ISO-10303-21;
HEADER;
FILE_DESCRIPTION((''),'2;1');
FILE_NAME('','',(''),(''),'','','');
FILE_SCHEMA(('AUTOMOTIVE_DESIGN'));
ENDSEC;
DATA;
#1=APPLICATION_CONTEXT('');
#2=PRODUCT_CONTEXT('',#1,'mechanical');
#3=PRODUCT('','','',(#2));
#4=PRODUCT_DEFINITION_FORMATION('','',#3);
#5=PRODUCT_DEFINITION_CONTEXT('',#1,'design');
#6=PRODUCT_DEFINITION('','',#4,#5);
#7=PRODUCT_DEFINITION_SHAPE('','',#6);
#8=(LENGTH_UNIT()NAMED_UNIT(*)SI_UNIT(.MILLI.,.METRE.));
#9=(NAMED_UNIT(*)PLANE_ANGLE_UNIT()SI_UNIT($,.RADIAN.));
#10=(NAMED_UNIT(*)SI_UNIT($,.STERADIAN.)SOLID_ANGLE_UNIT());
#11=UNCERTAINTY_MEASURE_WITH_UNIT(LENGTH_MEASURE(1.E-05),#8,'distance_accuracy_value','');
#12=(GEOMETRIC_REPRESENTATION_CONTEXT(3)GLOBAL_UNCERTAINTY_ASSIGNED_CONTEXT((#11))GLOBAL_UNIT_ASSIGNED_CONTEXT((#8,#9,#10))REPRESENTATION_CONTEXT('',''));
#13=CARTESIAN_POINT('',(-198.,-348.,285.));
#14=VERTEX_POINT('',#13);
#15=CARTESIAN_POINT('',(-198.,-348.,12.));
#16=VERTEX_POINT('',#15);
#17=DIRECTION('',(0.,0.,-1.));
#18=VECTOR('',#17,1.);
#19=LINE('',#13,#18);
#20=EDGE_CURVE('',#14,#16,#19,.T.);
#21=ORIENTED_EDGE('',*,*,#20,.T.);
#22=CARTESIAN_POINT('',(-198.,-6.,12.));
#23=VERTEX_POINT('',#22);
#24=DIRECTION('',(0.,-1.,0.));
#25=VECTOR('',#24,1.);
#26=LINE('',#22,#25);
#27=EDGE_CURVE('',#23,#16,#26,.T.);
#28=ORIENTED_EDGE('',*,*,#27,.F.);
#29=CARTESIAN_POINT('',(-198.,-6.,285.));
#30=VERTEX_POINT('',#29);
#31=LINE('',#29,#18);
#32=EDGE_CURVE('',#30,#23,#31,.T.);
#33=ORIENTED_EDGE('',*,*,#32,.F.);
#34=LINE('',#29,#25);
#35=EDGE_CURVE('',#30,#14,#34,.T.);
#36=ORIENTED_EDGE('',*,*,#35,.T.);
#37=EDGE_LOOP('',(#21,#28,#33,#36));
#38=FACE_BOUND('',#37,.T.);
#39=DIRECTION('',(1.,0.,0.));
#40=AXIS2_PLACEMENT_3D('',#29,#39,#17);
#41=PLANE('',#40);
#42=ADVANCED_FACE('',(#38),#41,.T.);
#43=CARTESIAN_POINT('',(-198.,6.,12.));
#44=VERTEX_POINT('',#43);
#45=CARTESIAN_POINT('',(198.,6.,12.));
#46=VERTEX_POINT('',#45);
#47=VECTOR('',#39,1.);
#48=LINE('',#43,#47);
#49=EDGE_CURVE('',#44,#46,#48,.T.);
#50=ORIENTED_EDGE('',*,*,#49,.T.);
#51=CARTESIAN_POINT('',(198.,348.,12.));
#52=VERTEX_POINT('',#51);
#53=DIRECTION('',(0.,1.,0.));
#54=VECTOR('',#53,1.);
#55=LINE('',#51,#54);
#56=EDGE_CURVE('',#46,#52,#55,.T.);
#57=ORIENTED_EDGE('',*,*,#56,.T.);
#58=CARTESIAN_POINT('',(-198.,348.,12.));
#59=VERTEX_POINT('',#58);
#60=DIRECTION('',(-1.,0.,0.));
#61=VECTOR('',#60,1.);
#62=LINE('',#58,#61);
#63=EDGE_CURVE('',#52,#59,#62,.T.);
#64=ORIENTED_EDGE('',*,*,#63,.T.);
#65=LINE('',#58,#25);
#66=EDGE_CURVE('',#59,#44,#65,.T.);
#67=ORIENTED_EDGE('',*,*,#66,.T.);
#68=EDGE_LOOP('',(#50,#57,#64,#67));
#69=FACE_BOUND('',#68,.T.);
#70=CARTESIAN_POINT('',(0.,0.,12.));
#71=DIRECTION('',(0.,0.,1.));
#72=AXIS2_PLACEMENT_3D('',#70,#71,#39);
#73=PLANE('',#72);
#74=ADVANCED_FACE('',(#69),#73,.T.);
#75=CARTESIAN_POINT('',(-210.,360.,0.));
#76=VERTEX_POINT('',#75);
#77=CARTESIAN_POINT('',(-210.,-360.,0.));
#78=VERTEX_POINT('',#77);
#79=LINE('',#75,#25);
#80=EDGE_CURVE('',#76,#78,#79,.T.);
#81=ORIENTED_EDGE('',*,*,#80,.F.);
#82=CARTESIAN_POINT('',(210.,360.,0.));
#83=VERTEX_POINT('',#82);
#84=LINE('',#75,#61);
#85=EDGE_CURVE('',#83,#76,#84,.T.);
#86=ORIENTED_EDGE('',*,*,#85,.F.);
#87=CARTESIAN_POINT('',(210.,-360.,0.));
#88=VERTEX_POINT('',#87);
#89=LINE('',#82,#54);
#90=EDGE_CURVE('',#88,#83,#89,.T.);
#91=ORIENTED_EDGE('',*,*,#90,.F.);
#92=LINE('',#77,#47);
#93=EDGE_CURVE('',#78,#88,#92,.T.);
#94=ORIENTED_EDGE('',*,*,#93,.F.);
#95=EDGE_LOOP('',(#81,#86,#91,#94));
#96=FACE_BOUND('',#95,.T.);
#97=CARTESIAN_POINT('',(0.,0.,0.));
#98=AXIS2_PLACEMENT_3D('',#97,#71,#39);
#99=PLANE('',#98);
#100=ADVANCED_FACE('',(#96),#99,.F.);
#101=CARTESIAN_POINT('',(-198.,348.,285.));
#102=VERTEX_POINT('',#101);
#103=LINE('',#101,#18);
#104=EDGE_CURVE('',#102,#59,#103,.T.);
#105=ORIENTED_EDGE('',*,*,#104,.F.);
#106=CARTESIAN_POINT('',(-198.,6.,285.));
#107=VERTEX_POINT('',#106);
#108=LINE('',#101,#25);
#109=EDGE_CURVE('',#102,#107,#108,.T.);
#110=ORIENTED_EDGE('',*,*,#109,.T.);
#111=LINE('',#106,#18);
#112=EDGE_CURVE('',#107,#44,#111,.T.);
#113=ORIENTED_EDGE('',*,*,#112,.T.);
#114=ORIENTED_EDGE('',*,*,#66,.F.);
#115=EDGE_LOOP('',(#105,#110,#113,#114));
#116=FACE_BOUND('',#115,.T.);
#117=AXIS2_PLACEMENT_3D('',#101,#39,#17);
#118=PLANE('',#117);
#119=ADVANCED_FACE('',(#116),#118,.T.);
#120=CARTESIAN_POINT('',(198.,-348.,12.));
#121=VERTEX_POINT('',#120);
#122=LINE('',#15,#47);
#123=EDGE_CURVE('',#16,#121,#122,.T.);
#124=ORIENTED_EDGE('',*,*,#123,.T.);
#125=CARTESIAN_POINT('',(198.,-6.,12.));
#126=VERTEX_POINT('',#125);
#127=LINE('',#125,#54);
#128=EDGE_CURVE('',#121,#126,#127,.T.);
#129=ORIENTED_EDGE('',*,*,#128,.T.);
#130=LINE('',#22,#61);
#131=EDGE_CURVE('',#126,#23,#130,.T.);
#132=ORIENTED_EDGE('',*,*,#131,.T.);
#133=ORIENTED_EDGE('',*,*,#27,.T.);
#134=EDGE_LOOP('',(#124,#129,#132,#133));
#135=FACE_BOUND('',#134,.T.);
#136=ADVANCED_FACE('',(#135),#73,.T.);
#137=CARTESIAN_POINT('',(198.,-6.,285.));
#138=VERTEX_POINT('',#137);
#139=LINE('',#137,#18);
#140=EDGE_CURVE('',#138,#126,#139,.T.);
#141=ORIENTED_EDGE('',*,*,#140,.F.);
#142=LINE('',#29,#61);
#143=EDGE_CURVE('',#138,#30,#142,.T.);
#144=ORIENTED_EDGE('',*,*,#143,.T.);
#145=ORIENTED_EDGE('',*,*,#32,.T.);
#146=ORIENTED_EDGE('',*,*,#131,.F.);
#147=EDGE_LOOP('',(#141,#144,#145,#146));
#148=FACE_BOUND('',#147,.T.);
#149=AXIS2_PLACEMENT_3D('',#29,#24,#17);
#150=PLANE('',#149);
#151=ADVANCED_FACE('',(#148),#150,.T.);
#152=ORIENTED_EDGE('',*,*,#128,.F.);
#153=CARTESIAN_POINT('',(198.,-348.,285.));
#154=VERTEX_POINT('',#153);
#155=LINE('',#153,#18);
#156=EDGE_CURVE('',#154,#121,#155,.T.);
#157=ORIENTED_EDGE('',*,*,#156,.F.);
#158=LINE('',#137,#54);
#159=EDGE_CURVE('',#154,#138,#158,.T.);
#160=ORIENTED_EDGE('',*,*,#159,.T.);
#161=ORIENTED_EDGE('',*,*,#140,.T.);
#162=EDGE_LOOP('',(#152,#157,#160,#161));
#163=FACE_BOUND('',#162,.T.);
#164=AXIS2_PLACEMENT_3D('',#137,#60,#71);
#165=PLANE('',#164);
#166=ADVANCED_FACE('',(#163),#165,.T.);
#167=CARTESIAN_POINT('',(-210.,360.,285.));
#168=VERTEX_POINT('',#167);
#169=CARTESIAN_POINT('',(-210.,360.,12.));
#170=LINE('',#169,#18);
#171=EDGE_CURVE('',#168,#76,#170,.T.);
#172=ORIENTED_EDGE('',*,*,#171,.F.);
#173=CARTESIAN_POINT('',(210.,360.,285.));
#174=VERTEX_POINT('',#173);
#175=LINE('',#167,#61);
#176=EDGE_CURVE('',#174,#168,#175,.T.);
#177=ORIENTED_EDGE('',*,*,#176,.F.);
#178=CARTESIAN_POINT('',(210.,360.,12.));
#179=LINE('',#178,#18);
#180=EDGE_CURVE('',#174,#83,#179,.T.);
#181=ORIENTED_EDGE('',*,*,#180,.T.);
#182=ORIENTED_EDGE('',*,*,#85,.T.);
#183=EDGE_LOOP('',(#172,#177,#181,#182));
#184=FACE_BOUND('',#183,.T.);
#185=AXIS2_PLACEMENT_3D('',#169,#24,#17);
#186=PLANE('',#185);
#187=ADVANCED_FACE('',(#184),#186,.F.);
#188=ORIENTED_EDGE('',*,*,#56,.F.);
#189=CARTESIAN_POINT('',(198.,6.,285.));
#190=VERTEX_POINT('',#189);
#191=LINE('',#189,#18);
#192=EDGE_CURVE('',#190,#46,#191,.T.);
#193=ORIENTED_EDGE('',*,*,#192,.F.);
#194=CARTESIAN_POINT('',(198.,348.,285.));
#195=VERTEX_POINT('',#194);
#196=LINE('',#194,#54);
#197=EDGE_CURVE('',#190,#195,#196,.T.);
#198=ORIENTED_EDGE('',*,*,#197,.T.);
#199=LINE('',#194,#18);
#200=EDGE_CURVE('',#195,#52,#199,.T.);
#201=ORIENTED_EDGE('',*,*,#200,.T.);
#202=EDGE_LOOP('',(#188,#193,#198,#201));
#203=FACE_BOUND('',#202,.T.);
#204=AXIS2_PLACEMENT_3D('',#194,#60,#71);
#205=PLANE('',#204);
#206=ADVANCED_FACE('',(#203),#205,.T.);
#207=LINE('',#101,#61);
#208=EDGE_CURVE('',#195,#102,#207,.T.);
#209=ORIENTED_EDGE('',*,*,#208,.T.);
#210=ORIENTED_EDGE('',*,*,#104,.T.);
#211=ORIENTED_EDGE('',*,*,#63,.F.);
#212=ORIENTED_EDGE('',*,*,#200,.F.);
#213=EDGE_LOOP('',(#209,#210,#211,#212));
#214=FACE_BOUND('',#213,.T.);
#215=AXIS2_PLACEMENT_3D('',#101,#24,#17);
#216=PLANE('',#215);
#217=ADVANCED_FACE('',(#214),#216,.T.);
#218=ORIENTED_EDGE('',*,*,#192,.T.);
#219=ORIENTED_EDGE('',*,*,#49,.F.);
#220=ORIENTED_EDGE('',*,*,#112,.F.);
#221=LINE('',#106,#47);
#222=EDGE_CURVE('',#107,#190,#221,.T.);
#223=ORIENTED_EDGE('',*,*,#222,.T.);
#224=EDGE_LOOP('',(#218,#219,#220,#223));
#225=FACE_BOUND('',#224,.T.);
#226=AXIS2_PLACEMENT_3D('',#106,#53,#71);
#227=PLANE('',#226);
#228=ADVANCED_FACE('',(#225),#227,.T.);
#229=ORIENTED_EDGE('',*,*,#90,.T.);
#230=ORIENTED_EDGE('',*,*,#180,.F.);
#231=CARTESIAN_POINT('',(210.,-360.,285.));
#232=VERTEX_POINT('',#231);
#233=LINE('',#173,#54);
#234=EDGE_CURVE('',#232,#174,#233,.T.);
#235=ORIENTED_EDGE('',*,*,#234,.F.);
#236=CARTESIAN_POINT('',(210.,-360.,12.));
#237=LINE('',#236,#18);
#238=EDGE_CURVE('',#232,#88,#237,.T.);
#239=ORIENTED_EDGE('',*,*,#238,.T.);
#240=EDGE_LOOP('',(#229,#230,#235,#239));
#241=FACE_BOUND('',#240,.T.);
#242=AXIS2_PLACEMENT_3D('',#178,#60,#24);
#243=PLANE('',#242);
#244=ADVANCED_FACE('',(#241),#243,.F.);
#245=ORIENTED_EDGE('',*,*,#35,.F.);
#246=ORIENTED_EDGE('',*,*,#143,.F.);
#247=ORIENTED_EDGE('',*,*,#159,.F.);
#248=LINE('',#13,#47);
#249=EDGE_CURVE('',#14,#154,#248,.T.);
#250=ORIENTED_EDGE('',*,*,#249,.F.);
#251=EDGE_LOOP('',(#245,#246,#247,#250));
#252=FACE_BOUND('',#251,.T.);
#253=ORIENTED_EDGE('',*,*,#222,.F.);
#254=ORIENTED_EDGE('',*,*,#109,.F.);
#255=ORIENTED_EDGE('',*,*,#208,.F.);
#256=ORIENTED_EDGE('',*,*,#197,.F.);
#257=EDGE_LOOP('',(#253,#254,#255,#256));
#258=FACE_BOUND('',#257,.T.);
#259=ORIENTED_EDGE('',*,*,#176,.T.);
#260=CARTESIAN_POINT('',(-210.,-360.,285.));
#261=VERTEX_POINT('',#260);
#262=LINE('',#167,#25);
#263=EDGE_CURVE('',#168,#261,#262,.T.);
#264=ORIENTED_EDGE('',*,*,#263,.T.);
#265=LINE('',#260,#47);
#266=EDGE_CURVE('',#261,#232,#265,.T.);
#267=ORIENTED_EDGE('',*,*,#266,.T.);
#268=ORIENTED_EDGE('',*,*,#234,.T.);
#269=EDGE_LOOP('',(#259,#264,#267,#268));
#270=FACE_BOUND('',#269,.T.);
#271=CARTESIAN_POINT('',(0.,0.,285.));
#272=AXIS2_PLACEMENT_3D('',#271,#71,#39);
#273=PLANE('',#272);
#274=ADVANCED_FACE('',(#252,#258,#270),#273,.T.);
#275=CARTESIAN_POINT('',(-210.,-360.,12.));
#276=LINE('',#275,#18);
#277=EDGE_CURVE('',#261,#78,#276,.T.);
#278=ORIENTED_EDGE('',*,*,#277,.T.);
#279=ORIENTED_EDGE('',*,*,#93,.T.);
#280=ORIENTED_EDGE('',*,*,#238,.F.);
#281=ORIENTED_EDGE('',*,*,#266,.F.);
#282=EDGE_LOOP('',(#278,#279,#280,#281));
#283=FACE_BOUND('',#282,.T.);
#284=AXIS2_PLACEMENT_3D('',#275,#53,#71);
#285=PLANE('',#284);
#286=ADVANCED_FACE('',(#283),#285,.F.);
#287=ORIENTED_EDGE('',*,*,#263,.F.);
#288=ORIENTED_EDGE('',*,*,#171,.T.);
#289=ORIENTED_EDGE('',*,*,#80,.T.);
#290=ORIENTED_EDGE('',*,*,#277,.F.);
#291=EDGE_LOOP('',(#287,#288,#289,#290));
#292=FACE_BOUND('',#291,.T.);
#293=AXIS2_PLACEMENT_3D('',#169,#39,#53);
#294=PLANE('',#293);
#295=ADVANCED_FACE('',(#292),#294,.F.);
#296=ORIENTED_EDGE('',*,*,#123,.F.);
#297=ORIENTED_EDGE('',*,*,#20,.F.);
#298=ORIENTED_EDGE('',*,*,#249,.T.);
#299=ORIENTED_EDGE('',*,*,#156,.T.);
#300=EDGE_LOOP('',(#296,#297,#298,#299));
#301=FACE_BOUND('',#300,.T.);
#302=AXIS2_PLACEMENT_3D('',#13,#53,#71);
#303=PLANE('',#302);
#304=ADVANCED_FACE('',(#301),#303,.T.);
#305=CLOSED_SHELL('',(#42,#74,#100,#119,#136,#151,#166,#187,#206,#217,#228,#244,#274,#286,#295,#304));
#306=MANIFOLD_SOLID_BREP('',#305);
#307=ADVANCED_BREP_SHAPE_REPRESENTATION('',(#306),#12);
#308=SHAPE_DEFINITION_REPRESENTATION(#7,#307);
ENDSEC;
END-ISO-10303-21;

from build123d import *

# Parameters (mm, degrees)
SKETCH_1_W      = 420
SKETCH_1_H      = 720
EXTRUDE_1_DEPTH = 12
SKETCH_2_W      = 420
SKETCH_2_H      = 720
SKETCH_2_W_2    = 396
SKETCH_2_H_2    = 342
EXTRUDE_2_DEPTH = 273


with BuildPart() as part:
    # ｽｹｯﾁ1 → ﾎﾞｽ - 押し出し1 (new body)
    with BuildSketch(Plane.XY):
        Rectangle(SKETCH_1_W, SKETCH_1_H)
    extrude(amount=EXTRUDE_1_DEPTH)

    # ｽｹｯﾁ2 → ﾎﾞｽ - 押し出し2 (add)
    with BuildSketch(Plane.XY.offset(12)):
        Rectangle(SKETCH_2_W, SKETCH_2_H)
        with Locations((0, 177)):
            Rectangle(SKETCH_2_W_2, SKETCH_2_H_2, mode=Mode.SUBTRACT)
        with Locations((0, -177)):
            Rectangle(SKETCH_2_W_2, SKETCH_2_H_2, mode=Mode.SUBTRACT)
    extrude(amount=EXTRUDE_2_DEPTH)


solid = part.part
